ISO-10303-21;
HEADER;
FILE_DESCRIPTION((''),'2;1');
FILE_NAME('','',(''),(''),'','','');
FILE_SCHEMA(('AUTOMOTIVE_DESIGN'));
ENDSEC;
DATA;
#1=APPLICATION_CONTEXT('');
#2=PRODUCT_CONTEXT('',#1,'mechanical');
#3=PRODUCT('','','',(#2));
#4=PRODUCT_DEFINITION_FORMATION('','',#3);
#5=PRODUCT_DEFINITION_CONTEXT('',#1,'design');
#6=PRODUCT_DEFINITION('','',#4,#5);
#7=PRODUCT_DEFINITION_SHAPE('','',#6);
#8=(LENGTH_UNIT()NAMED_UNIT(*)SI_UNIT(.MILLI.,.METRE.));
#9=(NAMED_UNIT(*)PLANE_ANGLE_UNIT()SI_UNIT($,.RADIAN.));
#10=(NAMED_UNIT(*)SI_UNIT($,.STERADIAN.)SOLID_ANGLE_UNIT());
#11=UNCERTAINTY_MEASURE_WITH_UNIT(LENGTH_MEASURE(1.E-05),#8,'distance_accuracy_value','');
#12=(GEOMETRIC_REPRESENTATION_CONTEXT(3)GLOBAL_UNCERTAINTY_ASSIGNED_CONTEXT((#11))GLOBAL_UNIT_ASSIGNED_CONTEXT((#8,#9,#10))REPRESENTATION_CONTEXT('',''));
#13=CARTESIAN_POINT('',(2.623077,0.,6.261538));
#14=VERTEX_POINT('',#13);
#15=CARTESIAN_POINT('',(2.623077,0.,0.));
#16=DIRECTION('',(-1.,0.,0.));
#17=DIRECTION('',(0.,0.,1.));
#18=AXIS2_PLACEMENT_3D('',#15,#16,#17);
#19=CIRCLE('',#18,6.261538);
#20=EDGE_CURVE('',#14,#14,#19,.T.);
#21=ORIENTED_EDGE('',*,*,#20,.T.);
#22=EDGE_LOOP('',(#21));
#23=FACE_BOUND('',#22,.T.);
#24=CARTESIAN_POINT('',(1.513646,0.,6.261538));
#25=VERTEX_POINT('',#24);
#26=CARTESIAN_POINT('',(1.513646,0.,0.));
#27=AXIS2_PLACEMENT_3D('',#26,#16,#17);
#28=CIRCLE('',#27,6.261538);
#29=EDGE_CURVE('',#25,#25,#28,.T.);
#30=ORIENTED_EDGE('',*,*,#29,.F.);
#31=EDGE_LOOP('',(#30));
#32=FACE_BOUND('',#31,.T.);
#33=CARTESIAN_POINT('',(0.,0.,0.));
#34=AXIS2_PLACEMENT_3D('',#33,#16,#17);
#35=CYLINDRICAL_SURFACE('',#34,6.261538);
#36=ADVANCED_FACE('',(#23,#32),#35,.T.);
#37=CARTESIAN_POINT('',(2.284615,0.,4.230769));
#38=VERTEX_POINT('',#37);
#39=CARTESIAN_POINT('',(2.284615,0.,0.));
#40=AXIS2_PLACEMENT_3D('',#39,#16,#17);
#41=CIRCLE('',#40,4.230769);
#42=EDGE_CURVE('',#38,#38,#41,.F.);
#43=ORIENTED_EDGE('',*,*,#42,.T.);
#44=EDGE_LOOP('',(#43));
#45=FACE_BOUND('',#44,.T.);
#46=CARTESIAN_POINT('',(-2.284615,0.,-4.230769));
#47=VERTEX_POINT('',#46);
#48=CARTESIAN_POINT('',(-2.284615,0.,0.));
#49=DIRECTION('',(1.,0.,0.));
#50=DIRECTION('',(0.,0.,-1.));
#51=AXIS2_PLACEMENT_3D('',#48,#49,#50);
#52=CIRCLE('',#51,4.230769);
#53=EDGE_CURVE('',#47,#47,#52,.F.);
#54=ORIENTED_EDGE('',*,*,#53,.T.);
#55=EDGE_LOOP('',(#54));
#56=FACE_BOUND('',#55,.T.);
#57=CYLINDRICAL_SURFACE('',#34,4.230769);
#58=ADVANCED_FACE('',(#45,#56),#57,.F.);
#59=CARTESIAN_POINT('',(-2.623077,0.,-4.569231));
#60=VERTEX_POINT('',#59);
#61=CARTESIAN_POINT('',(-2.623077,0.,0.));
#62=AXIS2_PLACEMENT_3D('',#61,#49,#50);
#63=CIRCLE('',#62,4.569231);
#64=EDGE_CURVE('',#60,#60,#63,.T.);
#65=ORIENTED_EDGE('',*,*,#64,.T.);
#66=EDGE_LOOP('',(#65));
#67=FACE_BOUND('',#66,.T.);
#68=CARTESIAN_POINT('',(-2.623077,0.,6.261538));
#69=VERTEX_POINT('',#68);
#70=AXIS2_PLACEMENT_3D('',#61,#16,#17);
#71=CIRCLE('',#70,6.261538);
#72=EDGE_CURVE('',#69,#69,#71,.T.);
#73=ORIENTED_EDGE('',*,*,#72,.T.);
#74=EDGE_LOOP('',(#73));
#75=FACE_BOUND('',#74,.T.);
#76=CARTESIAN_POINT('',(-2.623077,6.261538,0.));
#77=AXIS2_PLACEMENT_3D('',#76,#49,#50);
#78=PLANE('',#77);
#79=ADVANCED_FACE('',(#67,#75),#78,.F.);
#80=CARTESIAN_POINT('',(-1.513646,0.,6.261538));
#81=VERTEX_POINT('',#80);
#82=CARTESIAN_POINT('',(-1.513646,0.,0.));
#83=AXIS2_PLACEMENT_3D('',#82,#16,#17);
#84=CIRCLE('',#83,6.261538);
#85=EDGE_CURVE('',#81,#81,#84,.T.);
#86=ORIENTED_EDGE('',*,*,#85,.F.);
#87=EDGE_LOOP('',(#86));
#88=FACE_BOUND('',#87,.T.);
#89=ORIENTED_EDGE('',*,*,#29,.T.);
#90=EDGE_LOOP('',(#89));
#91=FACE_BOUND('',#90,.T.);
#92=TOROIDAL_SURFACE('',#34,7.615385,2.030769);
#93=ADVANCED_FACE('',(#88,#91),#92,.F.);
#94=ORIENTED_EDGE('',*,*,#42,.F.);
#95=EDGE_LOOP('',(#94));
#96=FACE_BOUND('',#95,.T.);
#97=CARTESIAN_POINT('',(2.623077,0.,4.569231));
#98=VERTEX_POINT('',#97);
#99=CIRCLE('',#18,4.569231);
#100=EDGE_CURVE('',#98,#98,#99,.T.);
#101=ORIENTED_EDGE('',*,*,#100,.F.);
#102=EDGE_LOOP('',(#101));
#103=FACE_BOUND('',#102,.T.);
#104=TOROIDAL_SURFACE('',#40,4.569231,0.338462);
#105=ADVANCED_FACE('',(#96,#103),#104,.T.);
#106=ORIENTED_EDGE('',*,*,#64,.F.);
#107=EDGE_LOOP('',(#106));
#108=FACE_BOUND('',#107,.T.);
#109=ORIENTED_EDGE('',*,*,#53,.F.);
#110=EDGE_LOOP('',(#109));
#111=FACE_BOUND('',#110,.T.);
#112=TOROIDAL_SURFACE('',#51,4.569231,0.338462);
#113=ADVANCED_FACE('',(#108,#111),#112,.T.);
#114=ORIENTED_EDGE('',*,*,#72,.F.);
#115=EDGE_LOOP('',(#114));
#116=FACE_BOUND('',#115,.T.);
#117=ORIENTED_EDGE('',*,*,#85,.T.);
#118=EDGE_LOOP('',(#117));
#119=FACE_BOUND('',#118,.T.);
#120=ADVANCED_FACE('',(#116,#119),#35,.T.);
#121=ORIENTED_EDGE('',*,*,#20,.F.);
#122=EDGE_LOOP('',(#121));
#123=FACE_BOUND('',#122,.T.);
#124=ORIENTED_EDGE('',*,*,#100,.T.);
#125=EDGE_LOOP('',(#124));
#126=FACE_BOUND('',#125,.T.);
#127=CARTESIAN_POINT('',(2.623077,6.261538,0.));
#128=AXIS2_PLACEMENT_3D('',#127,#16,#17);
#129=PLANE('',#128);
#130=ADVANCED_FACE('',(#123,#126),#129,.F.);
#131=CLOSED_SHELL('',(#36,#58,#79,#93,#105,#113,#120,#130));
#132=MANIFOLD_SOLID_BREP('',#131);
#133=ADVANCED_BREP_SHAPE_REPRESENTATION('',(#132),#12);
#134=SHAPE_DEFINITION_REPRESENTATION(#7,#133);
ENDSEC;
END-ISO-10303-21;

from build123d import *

# Parameters (mm, degrees)
FILLET_1_R    = 2
SCALE_1_SCALE = 0.338461538
SCALE_2_SCALE = 0.5


with BuildPart() as part:
    # 草图1 → 旋转1 (revolve)
    with BuildSketch(Plane.XY, mode=Mode.PRIVATE) as revolve_1_sk:
        with BuildLine():
            Line((-15.5, 37), (-8.94427191, 37))
            ThreePointArc((-8.94427191, 37), (0, 33), (8.94427191, 37))
            Line((8.94427191, 37), (15.5, 37))
            Line((15.5, 37), (15.5, 25))
            Line((15.5, 25), (-15.5, 25))
            Line((-15.5, 25), (-15.5, 37))
        make_face()
    revolve(revolve_1_sk.sketch.rotate(Axis((0, 0, 0), (1, 0, 0)), 90), axis=Axis((0, 0, 0), (1, 0, 0)))

    # 圆角1
    fillet_1_edges = [part.edges().sort_by_distance(p)[0] for p in [
        (15.5, 0, -25),
        (-15.5, 0, -25),
    ]]
    fillet(fillet_1_edges, radius=FILLET_1_R)


with BuildPart() as part_1:
    # 缩放比例1: scaled about (0, 0, 0)
    add(part.part.scale(SCALE_1_SCALE))


with BuildPart() as part_2:
    # 缩放比例2: scaled about (0, 0, 0)
    add(part_1.part.scale(SCALE_2_SCALE))


solid = part_2.part
